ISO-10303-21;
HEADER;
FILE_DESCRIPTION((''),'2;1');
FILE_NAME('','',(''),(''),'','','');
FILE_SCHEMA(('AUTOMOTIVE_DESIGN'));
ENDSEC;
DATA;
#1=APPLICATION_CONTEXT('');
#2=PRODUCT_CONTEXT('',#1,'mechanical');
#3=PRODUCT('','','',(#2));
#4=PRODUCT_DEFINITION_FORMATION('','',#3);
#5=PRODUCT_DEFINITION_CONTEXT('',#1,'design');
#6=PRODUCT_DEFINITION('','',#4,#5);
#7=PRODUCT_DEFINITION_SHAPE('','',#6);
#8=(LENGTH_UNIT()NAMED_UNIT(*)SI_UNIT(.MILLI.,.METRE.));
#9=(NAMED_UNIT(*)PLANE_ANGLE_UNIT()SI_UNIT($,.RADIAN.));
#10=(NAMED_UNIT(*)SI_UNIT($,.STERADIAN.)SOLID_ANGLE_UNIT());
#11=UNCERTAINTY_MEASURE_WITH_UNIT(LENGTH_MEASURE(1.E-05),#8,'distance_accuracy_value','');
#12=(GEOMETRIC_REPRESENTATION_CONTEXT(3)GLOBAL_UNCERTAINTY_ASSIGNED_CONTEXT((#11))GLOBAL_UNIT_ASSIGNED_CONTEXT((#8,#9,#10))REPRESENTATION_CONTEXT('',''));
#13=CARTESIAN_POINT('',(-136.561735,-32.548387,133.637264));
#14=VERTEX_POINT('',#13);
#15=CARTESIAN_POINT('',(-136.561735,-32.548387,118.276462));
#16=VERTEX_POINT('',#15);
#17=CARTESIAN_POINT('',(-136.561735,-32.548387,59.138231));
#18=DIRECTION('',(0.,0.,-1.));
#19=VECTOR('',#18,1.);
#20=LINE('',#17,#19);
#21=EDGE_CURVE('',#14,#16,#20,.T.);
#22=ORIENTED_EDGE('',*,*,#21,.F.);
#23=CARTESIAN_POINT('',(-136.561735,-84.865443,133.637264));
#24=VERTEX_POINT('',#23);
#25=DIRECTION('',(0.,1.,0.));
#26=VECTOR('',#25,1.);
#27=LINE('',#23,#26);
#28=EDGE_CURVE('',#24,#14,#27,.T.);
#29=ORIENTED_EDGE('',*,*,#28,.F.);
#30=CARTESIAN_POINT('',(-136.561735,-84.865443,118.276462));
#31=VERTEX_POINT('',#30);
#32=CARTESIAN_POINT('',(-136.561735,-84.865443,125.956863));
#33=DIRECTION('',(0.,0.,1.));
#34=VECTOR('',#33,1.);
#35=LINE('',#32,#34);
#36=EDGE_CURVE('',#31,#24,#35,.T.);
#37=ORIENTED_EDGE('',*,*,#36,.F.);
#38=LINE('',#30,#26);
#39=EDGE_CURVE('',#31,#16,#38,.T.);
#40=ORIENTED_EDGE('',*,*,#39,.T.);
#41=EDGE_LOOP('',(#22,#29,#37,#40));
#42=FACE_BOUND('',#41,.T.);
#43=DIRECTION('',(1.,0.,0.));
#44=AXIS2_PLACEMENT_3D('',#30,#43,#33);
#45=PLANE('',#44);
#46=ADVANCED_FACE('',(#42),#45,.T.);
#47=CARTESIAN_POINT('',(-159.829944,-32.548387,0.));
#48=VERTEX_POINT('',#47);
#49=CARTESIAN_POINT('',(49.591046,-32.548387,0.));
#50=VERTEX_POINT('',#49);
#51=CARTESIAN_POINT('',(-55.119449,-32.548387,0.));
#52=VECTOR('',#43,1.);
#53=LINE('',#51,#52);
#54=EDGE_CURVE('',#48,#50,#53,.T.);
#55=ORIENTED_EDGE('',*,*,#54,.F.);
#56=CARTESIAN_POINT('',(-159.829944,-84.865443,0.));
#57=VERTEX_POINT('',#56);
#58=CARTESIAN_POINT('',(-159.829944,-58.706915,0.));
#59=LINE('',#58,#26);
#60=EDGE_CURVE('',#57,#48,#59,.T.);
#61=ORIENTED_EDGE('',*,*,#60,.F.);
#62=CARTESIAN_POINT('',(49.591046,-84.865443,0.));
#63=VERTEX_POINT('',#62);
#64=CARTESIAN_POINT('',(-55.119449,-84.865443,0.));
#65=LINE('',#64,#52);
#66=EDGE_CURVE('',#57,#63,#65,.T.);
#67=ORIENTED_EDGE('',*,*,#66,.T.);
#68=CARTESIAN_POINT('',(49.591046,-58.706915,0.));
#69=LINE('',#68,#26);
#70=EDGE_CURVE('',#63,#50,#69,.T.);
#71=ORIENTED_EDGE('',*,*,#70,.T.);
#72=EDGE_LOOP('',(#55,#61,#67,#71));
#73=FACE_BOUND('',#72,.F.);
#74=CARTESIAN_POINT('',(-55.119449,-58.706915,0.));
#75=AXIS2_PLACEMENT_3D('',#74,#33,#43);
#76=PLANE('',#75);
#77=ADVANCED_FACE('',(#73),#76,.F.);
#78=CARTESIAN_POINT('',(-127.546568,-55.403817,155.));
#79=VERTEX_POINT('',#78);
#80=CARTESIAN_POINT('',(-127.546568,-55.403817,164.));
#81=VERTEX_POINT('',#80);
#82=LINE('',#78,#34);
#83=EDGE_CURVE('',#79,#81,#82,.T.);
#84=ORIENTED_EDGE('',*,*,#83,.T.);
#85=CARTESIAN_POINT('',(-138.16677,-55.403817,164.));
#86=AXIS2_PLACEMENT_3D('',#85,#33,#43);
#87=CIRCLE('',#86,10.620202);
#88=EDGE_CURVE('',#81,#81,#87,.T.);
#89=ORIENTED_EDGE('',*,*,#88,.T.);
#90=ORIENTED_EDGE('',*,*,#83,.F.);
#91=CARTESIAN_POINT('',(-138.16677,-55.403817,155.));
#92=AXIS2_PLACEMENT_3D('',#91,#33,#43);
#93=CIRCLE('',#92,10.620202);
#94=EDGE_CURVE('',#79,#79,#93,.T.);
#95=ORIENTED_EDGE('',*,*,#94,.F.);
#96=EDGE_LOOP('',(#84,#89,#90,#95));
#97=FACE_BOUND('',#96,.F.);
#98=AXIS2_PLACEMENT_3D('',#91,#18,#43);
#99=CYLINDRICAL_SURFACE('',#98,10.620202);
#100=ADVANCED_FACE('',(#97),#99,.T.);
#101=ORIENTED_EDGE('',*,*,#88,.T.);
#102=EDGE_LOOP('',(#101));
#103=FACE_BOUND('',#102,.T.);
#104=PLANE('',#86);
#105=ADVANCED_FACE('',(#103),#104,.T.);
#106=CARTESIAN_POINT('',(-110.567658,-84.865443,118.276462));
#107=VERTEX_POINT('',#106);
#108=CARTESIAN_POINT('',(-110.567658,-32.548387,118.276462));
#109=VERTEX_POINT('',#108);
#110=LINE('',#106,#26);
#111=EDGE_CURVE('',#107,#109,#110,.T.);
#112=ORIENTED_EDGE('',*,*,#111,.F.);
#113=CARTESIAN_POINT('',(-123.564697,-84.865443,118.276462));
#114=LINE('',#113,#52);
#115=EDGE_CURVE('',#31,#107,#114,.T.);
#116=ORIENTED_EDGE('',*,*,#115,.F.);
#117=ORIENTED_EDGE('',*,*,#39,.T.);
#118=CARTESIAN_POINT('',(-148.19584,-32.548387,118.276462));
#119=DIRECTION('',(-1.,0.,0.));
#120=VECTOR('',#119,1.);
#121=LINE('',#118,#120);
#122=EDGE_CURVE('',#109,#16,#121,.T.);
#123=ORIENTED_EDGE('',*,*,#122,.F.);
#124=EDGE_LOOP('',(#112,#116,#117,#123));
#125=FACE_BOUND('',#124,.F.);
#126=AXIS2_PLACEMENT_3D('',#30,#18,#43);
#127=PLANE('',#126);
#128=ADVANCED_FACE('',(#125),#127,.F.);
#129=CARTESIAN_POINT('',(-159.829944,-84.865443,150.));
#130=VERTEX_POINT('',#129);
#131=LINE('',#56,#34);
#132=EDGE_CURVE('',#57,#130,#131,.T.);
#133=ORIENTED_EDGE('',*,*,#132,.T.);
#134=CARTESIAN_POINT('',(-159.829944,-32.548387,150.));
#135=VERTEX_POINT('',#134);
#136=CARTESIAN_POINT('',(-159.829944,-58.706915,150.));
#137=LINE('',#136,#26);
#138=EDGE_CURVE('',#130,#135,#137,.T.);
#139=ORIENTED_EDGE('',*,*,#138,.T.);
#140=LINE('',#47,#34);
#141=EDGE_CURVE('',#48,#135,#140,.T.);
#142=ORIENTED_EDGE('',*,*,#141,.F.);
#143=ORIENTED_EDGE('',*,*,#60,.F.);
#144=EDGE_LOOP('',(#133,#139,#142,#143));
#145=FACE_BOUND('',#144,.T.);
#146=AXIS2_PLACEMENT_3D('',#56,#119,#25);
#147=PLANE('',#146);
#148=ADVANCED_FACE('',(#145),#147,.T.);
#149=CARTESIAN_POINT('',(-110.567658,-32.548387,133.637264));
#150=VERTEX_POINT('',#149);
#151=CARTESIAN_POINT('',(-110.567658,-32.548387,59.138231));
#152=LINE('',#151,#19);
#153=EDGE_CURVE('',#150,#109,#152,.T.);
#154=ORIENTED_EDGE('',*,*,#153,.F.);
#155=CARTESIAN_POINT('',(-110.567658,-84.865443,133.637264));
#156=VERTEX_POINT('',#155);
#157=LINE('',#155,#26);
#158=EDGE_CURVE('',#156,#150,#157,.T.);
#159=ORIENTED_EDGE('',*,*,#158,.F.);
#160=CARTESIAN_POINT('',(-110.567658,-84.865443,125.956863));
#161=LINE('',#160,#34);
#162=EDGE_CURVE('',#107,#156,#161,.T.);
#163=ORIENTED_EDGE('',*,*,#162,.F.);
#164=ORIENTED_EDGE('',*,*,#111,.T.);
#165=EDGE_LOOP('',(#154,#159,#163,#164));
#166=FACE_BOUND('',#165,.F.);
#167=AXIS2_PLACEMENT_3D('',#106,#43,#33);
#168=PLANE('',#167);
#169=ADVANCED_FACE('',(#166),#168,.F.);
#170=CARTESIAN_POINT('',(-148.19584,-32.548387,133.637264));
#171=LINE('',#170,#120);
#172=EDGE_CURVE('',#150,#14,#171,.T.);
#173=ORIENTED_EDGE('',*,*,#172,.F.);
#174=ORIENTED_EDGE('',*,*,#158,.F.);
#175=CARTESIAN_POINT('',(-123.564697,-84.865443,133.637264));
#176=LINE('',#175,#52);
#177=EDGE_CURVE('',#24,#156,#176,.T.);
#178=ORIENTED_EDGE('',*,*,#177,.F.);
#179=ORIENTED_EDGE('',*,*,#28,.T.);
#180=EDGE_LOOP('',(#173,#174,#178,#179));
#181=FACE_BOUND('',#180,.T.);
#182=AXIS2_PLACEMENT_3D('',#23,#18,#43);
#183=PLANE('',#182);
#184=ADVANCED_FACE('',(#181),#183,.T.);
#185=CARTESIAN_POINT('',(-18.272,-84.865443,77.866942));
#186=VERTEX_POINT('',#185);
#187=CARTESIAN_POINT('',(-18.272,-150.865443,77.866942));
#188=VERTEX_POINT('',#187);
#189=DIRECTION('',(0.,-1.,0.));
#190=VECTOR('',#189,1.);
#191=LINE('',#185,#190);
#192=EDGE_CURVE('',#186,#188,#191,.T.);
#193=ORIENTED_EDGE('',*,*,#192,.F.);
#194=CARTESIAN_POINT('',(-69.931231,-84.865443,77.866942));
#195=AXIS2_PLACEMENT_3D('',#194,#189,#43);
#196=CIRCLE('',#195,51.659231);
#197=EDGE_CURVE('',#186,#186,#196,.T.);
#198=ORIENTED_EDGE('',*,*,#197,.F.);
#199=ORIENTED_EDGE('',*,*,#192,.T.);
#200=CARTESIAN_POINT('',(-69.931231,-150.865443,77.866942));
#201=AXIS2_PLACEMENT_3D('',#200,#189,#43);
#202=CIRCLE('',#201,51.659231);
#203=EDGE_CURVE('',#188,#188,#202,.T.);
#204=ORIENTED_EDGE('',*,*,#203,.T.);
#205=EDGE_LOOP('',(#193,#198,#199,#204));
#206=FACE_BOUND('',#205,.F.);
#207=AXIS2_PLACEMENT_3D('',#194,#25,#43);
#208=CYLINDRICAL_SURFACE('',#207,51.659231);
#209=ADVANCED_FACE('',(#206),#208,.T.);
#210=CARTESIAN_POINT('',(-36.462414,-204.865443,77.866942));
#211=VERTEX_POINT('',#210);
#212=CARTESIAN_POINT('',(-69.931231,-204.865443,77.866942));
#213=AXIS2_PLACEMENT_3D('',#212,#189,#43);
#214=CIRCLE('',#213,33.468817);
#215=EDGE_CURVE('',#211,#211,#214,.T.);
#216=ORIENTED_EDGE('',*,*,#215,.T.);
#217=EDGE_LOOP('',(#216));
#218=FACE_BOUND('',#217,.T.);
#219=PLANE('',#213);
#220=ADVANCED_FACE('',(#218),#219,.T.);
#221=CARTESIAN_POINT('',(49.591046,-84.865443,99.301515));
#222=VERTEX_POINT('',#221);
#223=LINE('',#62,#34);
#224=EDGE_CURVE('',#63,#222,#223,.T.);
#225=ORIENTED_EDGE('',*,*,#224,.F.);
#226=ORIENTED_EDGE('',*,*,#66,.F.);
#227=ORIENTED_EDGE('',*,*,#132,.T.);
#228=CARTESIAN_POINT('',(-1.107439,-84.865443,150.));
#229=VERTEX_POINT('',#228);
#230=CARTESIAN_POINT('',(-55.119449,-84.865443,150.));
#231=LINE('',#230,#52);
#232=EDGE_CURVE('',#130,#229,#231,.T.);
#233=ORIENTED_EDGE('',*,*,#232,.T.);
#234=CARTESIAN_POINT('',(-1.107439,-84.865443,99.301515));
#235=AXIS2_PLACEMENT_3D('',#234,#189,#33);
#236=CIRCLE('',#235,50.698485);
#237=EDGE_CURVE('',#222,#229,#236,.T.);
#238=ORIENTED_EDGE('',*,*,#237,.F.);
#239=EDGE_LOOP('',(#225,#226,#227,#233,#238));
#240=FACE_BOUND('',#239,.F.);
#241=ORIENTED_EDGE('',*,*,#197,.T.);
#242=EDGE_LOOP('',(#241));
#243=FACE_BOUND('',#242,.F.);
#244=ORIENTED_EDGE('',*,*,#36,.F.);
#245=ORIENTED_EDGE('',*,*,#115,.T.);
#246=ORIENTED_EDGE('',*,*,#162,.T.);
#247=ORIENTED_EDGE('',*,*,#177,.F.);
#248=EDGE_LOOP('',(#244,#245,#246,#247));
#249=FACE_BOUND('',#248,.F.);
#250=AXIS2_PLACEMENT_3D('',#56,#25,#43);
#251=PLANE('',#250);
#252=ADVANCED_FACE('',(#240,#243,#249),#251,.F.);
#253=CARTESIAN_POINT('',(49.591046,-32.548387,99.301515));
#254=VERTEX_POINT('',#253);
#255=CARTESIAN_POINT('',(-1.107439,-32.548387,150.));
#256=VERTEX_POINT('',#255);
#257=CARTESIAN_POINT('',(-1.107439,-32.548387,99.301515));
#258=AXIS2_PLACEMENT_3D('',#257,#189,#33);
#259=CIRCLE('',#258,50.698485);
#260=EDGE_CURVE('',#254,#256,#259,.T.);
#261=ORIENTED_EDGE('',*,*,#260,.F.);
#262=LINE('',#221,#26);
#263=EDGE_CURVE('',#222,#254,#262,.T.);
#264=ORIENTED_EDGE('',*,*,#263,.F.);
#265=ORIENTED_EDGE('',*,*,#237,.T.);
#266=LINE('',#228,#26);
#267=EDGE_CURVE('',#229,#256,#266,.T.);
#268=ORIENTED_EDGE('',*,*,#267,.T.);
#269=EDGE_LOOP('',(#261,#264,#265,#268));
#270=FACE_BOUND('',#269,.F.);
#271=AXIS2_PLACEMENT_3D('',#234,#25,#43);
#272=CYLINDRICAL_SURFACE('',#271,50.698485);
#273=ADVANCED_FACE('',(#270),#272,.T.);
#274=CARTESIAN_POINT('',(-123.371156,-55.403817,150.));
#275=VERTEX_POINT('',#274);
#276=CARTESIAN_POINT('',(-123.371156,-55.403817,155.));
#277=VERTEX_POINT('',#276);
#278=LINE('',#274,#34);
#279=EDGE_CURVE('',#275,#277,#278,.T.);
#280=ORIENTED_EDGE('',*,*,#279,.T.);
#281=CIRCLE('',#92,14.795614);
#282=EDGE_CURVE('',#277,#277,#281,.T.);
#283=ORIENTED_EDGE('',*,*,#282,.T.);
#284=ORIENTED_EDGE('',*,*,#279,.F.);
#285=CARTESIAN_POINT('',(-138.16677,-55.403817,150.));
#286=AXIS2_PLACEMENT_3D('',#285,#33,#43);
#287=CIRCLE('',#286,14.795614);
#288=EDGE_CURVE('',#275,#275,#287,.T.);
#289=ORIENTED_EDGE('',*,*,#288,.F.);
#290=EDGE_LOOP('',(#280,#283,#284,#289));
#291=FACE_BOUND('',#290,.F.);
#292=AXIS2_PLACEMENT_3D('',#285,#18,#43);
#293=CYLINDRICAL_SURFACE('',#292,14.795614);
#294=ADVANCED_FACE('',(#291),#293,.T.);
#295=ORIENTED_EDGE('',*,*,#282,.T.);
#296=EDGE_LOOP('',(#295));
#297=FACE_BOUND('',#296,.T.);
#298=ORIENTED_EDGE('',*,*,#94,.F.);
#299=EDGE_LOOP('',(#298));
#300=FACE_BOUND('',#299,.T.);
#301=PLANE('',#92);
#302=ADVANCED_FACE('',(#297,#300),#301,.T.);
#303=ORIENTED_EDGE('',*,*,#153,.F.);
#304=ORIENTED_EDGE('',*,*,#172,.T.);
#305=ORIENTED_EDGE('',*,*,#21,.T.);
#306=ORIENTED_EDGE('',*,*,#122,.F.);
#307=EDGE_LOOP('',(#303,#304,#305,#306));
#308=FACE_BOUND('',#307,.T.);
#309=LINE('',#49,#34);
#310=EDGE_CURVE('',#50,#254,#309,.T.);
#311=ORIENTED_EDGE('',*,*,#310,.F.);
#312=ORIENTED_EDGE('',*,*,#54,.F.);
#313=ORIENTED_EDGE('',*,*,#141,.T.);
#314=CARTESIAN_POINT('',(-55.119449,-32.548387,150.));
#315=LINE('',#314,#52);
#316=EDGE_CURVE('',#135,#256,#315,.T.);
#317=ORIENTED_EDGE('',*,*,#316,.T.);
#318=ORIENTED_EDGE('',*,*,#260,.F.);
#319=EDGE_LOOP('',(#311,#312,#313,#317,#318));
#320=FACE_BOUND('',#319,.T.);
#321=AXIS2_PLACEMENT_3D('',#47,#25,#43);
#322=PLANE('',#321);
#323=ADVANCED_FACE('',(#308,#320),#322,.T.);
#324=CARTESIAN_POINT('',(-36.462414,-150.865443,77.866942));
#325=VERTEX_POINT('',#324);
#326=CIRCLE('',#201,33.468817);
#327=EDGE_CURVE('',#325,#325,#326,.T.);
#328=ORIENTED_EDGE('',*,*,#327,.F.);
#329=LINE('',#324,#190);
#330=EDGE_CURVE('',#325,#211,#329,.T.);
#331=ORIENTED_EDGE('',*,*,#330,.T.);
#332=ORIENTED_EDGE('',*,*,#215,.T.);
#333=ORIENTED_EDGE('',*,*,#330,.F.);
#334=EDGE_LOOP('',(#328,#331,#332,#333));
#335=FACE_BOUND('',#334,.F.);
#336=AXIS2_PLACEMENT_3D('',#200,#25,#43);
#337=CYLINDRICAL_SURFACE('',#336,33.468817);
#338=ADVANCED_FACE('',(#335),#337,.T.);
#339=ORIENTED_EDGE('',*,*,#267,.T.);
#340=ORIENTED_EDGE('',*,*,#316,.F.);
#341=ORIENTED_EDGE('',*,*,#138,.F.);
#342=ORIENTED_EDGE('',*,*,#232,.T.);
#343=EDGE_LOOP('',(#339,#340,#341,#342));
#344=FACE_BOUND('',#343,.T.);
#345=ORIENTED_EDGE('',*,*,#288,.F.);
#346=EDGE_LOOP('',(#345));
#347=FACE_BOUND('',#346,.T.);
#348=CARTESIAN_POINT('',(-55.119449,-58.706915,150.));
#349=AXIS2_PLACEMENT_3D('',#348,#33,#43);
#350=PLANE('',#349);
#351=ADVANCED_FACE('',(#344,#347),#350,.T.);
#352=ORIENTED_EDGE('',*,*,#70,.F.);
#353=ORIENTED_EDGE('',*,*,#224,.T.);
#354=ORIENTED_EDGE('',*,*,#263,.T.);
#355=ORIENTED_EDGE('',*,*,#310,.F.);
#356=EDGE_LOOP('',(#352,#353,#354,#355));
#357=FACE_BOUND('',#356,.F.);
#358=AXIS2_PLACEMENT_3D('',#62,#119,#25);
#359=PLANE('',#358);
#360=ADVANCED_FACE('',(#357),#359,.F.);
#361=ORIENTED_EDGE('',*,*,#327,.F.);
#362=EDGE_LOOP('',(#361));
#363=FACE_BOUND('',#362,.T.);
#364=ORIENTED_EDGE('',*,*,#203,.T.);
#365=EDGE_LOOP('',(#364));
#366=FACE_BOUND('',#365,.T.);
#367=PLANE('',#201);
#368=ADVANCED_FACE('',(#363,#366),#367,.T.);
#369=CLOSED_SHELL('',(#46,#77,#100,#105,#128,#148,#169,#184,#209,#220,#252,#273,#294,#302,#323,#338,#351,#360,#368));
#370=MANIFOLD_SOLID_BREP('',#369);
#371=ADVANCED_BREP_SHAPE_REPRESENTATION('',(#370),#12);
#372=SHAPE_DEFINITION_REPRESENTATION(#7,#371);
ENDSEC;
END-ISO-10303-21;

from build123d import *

# Parameters (mm, degrees)
F0_W      = 209.42099
F0_H      = 52.317056
F1_DEPTH  = 150
F2_R      = 50.698485
F3_R      = 51.659231
F4_DEPTH  = 66
F5_R      = 33.468817
F6_DEPTH  = 54
F7_R      = 14.795614
F8_DEPTH  = 5
F9_R      = 10.620202
F10_DEPTH = 9
F11_W     = 34.047097
F11_H     = 17.011657
F12_DEPTH = 43
F13_W     = 25.994077
F13_H     = 15.360802
F14_DEPTH = 77


with BuildPart() as f1:
    # F0 (on Top) → F1 (new body)
    with BuildSketch(Plane.XY):
        with Locations((-55.119449, -58.706915)):
            Rectangle(F0_W, F0_H)
    extrude(amount=F1_DEPTH)

    # F2
    f2_edges = [f1.edges().sort_by_distance(p)[0] for p in [
        (49.591046, -58.706915, 150),
    ]]
    fillet(f2_edges, radius=F2_R)

    # F3 (on face) → F4 (join)
    with BuildSketch(Plane.XZ.offset(84.865443)):
        with Locations((-69.931231, 77.866942)):
            Circle(F3_R)
    extrude(amount=F4_DEPTH)

    # F5 (on face) → F6 (join)
    with BuildSketch(Plane.XZ.offset(150.865443)):
        with Locations((-69.931231, 77.866942)):
            Circle(F5_R)
    extrude(amount=F6_DEPTH)

    # F7 (on face) → F8 (join)
    with BuildSketch(Plane.XY.offset(150)):
        with Locations((-138.16677, -55.403817)):
            Circle(F7_R)
    extrude(amount=F8_DEPTH)

    # F9 (on face) → F10 (join)
    with BuildSketch(Plane.XY.offset(155)):
        with Locations((-138.16677, -55.403817)):
            Circle(F9_R)
    extrude(amount=F10_DEPTH)

    # F11 (on face) → F12 (join)
    with BuildSketch(Plane.XZ.offset(84.865443)):
        with Locations((-135.340422, 126.199729)):
            Rectangle(F11_W, F11_H)
    extrude(amount=-F12_DEPTH)

    # F13 (on face) → F14 (cut)
    with BuildSketch(Plane.XZ.offset(84.865443)):
        with Locations((-123.564697, 125.956863)):
            Rectangle(F13_W, F13_H)
    extrude(amount=-F14_DEPTH, mode=Mode.SUBTRACT)


solid = f1.part
